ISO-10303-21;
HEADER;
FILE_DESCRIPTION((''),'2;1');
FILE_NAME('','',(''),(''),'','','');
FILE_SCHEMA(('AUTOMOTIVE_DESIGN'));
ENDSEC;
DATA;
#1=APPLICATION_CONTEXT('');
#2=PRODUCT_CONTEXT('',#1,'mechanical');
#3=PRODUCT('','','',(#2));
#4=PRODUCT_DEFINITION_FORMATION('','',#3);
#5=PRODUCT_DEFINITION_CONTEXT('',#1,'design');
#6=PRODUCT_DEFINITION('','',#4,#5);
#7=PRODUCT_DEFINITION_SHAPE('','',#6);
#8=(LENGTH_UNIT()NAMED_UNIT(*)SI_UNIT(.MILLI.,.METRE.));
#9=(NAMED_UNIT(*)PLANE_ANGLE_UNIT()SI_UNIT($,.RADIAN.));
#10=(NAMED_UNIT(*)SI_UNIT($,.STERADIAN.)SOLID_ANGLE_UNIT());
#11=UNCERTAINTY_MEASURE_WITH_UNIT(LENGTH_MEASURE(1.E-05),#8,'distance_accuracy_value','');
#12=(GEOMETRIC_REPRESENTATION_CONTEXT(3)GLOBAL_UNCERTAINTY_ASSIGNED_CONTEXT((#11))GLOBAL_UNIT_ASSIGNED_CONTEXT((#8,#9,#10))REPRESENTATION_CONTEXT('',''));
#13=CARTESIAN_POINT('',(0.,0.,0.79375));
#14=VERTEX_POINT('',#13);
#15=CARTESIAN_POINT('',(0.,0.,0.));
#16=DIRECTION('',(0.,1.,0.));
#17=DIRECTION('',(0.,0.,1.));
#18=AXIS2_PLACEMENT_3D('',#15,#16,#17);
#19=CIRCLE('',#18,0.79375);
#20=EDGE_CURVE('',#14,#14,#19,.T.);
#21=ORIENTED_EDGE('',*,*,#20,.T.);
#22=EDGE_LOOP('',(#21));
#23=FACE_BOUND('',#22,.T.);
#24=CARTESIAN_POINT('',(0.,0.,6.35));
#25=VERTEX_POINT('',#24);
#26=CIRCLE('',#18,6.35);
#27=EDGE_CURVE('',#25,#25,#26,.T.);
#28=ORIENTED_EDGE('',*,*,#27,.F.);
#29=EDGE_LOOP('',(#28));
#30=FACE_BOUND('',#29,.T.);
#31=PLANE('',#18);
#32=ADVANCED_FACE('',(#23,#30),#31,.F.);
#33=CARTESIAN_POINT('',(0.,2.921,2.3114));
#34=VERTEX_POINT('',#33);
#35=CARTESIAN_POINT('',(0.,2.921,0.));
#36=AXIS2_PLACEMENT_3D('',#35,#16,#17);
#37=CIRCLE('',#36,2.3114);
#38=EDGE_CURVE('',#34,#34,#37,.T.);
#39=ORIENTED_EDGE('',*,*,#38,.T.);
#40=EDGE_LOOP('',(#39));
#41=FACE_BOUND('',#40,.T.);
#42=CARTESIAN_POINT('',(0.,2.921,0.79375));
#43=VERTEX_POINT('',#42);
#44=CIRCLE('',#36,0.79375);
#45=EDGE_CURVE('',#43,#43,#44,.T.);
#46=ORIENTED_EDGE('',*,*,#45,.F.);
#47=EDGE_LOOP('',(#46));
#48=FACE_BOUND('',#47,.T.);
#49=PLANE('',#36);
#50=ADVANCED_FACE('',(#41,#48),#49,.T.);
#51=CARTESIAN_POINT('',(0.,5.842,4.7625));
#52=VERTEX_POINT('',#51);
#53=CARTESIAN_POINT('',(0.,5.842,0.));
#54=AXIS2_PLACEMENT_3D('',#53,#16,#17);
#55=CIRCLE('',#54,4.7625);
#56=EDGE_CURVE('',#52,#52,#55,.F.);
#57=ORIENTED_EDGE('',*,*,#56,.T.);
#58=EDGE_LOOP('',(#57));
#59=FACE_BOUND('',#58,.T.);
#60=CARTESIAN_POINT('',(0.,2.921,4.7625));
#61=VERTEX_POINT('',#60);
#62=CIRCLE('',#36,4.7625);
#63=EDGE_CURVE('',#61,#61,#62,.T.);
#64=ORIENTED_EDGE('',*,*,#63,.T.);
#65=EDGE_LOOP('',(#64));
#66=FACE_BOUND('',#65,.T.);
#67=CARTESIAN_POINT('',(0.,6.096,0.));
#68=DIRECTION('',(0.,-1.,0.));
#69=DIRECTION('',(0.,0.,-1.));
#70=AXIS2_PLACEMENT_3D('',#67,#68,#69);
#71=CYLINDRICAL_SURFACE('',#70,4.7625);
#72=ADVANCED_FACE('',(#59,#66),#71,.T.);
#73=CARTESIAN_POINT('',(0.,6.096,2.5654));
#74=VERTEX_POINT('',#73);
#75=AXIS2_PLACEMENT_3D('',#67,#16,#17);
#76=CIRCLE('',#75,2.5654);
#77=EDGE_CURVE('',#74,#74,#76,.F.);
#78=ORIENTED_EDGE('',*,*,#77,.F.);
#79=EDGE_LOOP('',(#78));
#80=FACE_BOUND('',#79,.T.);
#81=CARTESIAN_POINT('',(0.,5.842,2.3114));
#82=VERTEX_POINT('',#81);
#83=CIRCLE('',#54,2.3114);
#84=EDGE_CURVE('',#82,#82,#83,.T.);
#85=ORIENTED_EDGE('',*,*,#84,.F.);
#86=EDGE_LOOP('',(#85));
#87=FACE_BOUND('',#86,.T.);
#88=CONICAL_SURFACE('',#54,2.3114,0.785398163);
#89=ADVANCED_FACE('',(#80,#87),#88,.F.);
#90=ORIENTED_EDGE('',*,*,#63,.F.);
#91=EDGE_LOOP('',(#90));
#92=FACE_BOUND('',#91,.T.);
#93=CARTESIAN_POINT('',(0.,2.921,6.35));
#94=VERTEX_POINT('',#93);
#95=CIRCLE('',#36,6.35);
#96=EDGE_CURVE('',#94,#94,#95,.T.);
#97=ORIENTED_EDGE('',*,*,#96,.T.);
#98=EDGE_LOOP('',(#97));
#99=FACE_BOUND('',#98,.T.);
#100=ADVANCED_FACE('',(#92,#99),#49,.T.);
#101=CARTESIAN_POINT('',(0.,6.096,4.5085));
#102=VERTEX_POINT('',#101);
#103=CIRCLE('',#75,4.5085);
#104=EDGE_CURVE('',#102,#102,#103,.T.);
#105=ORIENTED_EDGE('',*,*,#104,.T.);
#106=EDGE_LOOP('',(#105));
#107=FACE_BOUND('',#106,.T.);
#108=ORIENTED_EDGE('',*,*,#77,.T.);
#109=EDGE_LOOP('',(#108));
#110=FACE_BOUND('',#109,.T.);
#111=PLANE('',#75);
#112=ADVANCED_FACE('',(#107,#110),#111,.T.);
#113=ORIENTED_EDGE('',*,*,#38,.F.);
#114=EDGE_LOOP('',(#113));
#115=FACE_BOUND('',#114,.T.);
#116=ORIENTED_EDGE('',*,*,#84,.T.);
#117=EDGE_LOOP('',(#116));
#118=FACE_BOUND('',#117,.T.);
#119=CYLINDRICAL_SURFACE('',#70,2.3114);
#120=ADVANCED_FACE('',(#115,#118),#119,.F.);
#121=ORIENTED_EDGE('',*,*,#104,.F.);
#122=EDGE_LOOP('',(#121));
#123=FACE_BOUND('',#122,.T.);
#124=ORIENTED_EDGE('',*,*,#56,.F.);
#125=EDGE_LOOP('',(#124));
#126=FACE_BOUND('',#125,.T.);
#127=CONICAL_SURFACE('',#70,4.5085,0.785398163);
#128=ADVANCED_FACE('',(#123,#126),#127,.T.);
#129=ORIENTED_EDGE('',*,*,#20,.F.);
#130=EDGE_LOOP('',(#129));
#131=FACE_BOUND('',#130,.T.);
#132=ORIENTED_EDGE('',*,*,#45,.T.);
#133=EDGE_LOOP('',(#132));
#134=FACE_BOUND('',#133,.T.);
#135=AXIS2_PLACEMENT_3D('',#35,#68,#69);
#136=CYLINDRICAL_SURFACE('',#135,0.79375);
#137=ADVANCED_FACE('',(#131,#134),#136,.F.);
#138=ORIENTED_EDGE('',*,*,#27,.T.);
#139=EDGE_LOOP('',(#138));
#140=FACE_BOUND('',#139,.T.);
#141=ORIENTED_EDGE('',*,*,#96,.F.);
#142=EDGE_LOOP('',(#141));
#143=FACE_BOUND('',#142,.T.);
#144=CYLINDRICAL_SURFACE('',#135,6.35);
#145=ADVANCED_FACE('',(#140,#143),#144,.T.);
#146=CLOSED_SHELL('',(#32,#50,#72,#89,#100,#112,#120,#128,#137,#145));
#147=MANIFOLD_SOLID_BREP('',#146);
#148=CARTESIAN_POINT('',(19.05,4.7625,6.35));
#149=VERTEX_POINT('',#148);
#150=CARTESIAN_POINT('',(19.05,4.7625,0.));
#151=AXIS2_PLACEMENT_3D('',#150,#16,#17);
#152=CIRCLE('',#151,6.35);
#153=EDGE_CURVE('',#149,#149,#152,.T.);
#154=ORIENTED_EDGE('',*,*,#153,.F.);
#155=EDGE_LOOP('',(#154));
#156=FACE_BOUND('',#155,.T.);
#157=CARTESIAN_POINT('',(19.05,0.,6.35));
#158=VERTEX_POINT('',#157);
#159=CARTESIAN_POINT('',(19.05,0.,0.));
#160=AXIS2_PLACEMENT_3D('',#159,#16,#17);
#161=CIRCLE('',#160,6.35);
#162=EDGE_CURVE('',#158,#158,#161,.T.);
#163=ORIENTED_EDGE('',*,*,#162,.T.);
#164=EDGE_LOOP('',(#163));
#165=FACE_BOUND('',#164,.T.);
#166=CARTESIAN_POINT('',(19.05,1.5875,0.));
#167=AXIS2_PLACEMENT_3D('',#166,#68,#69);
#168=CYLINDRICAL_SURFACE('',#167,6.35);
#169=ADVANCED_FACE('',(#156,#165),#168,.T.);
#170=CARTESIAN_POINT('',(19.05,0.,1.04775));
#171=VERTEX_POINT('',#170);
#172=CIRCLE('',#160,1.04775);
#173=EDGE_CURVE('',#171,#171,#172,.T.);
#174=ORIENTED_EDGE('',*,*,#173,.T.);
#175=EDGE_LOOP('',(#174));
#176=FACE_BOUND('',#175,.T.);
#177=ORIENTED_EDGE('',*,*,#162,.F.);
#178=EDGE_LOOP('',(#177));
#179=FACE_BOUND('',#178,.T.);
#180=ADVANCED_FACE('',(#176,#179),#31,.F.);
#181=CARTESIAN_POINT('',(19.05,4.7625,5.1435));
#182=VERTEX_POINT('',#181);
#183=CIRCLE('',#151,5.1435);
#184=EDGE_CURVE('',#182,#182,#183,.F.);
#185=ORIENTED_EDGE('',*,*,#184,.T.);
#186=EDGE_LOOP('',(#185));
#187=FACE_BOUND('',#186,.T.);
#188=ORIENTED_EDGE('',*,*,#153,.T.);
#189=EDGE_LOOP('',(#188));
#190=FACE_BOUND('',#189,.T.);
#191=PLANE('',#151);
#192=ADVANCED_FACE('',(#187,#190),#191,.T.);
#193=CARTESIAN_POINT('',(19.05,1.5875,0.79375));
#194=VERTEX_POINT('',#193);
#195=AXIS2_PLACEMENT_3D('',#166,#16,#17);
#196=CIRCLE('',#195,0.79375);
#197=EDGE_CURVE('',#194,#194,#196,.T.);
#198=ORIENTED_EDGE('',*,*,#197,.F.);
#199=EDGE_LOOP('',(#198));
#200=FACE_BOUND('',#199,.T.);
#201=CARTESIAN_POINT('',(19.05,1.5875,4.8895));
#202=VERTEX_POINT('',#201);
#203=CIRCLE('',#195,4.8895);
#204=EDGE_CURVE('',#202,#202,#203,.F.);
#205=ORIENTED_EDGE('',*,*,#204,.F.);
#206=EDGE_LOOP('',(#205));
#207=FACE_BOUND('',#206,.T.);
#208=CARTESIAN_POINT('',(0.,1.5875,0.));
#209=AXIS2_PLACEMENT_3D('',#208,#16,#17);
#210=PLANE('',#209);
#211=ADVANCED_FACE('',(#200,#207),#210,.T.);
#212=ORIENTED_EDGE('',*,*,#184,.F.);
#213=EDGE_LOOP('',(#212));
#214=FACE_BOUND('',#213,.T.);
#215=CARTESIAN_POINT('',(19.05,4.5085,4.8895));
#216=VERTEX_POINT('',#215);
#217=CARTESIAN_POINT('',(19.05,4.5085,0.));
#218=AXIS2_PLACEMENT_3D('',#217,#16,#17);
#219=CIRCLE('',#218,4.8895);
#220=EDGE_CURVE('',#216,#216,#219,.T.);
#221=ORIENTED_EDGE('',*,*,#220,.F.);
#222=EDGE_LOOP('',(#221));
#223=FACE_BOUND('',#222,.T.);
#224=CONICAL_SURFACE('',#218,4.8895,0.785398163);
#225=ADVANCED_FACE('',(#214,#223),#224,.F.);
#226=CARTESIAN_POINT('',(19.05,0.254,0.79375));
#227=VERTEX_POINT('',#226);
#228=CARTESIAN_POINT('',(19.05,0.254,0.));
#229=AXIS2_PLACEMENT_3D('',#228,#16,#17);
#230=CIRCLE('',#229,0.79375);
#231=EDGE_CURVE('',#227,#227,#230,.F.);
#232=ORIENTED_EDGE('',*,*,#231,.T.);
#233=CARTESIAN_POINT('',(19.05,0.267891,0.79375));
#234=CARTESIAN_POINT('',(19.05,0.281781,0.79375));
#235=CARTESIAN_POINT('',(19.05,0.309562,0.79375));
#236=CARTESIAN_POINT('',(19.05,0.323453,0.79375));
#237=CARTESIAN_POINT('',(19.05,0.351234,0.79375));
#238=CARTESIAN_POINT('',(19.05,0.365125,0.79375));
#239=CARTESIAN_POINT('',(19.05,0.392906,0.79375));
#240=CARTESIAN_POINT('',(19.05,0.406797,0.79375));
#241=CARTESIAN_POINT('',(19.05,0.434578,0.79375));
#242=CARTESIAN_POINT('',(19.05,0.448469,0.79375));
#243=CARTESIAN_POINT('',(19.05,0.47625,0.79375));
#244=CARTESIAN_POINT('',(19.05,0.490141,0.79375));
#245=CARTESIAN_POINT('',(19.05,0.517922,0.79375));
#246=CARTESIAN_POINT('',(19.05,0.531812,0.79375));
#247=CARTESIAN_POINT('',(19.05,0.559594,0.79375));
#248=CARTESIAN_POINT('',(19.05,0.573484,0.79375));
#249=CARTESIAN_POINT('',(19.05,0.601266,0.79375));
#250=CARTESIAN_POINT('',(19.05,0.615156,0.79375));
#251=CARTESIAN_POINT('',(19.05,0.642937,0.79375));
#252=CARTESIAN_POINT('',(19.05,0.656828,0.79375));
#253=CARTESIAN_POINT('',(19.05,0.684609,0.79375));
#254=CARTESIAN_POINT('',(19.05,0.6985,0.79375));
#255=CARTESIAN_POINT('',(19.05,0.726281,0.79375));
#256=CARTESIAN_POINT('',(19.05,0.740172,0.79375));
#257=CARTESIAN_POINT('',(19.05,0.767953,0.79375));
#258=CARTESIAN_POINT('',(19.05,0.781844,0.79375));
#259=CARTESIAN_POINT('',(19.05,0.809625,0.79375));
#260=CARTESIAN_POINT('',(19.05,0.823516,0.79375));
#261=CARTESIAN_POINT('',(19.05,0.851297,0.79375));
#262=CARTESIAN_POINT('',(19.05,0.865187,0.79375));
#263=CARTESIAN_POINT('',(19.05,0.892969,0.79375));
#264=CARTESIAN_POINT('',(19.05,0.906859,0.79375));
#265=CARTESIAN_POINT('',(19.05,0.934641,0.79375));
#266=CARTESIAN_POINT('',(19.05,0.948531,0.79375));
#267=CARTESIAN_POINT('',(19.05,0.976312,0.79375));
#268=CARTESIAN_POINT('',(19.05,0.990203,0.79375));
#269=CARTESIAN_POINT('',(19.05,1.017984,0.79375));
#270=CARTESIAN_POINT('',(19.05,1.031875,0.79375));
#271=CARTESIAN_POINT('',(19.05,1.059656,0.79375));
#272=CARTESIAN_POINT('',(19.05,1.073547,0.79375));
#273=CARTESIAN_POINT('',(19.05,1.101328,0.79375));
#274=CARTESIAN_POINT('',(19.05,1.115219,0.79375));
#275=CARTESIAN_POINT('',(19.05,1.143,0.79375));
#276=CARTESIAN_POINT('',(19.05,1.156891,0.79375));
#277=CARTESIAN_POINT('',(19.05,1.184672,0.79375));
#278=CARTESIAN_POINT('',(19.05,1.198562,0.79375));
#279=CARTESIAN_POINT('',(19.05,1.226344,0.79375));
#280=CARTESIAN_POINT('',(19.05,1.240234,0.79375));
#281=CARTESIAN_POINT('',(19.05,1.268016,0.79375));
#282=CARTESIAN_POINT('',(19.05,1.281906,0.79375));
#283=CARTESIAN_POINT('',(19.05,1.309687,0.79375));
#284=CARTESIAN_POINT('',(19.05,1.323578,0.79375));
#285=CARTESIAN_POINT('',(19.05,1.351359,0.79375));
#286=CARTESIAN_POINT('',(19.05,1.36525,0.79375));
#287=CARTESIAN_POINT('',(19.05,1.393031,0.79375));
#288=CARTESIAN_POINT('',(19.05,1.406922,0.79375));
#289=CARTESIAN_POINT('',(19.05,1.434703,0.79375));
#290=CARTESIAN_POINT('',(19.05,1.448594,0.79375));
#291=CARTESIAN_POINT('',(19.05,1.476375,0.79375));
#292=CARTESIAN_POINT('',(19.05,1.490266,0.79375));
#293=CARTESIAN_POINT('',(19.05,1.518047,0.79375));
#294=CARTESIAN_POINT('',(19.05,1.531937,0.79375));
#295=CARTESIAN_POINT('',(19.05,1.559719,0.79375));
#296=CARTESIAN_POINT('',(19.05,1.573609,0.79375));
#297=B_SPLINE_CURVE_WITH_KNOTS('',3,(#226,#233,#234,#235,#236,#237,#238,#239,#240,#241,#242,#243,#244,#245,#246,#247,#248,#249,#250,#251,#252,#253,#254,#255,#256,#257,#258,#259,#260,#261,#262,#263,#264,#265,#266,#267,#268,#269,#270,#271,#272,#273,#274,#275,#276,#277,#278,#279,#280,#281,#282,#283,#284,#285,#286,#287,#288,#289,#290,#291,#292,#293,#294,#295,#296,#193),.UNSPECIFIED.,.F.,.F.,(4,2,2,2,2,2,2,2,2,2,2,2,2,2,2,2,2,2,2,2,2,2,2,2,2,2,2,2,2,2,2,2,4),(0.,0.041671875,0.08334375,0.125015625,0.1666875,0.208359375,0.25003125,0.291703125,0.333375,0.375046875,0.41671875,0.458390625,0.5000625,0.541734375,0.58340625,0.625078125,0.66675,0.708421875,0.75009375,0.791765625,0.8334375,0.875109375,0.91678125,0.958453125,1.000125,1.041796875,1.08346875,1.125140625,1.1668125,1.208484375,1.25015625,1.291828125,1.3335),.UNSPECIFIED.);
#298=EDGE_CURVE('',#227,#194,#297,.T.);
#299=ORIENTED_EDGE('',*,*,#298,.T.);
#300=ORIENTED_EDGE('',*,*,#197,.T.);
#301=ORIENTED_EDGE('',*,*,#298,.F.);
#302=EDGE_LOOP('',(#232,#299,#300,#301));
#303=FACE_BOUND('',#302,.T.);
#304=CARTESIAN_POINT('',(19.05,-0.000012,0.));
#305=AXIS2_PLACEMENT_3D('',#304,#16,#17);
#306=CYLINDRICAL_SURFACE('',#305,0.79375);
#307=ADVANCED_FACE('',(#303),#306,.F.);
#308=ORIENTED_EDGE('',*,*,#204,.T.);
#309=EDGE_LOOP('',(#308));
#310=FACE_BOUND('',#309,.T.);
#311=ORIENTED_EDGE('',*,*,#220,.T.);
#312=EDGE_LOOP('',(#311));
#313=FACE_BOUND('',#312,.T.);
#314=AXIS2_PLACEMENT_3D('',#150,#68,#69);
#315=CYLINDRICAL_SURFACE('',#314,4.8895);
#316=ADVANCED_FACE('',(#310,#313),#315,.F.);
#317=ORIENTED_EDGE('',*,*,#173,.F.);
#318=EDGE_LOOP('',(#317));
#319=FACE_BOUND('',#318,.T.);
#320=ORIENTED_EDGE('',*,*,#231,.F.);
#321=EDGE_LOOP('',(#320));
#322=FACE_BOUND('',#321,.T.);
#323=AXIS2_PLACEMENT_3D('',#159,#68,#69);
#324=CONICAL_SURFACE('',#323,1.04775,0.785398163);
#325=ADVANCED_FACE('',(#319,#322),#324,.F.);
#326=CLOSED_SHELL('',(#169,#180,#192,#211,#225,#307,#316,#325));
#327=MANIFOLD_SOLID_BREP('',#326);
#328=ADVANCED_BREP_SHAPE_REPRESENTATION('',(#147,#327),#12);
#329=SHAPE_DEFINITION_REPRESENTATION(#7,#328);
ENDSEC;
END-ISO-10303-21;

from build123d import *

# Parameters (mm, degrees)
SKETCH2_R               = 6.35
SKETCH2_R_2             = 4.7625
SKETCH2_R_3             = 2.3114
SKETCH2_R_4             = 0.79375
BOSS_EXTRUDE1_DEPTH     = 2.921
BOSS_EXTRUDE2_START     = 2.921
SKETCH2_3_R             = 4.7625
SKETCH2_3_R_2           = 2.3114
BOSS_EXTRUDE2_DEPTH     = 3.175
CHAMFER1_SIZE           = 0.254
SKETCH3_R               = 6.35
BOSS_EXTRUDE3_DEPTH     = 1.5875
BOSS_EXTRUDE4_START     = 1.5875
SKETCH3_3_R             = 6.35
SKETCH3_3_R_2           = 4.8895
BOSS_EXTRUDE4_DEPTH     = 3.175
CUT_EXTRUDE1_DEPTH      = 27.882033331
CUT_EXTRUDE1_DEPTH_BACK = 27.882033331
SKETCH3_4_R             = 0.79375
CHAMFER2_SIZE           = 0.254


with BuildPart() as part:
    # Sketch2 → Boss-Extrude1 (new body)
    # profile 1 of 3: a face of its own
    with BuildSketch(Plane(origin=(0, 0, 0), x_dir=(1, 0, 0), z_dir=(0, 1, 0))):
        with Locations(Location((0, 0, 0), (0, 0, 270))):
            Circle(SKETCH2_R)
        Circle(SKETCH2_R_2, mode=Mode.SUBTRACT)
    # profile 2 of 3: a face of its own
    with BuildSketch(Plane(origin=(0, 0, 0), x_dir=(1, 0, 0), z_dir=(0, 1, 0))):
        Circle(SKETCH2_R_2)
        Circle(SKETCH2_R_3, mode=Mode.SUBTRACT)
    # profile 3 of 3: a face of its own
    with BuildSketch(Plane(origin=(0, 0, 0), x_dir=(1, 0, 0), z_dir=(0, 1, 0))):
        Circle(SKETCH2_R_3)
        with Locations(Location((0, 0, 0), (0, 0, 270))):
            Circle(SKETCH2_R_4, mode=Mode.SUBTRACT)
    extrude(amount=BOSS_EXTRUDE1_DEPTH)

    # Sketch2<3> → Boss-Extrude2 (add)
    with BuildSketch(Plane(origin=(0, 0, 0), x_dir=(1, 0, 0), z_dir=(0, 1, 0)).offset(BOSS_EXTRUDE2_START)):
        with Locations(Location((0, 0, 0), (0, 0, 270))):
            Circle(SKETCH2_3_R)
        with Locations(Location((0, 0, 0), (0, 0, 270))):
            Circle(SKETCH2_3_R_2, mode=Mode.SUBTRACT)
    extrude(amount=BOSS_EXTRUDE2_DEPTH)

    # Chamfer1
    chamfer1_edges = [part.edges().sort_by_distance(p)[0] for p in [
        (0, 6.096, -4.7625),
        (0, 6.096, -2.3114),
    ]]
    chamfer(chamfer1_edges, length=CHAMFER1_SIZE)


with BuildPart() as body_2:
    # Sketch3 → Boss-Extrude3 (new body)
    with BuildSketch(Plane(origin=(0, 0, 0), x_dir=(1, 0, 0), z_dir=(0, 1, 0))):
        with Locations(Location((19.05, 0, 0), (0, 0, 270))):
            Circle(SKETCH3_R)
    extrude(amount=BOSS_EXTRUDE3_DEPTH)

    # Sketch3<3> → Boss-Extrude4 (add)
    with BuildSketch(Plane(origin=(0, 0, 0), x_dir=(1, 0, 0), z_dir=(0, 1, 0)).offset(BOSS_EXTRUDE4_START)):
        with Locations(Location((19.05, 0, 0), (0, 0, 270))):
            Circle(SKETCH3_3_R)
        with Locations(Location((19.05, 0, 0), (0, 0, 270))):
            Circle(SKETCH3_3_R_2, mode=Mode.SUBTRACT)
    extrude(amount=BOSS_EXTRUDE4_DEPTH)

    # Sketch3<4> → Cut-Extrude1 (cut, two sides: drawn at the far end of the back side and taken through both)
    with BuildSketch(Plane(origin=(0, 0, 0), x_dir=(1, 0, 0), z_dir=(0, 1, 0)).offset(-CUT_EXTRUDE1_DEPTH_BACK)):
        with Locations(Location((19.05, 0, 0), (0, 0, 270))):
            Circle(SKETCH3_4_R)
    extrude(amount=CUT_EXTRUDE1_DEPTH + CUT_EXTRUDE1_DEPTH_BACK, mode=Mode.SUBTRACT)

    # Chamfer2
    chamfer2_edges = [body_2.edges().sort_by_distance(p)[0] for p in [
        (19.05, 4.7625, -4.8895),
        (19.05, 0, -0.79375),
    ]]
    chamfer(chamfer2_edges, length=CHAMFER2_SIZE)


solid = Compound([part.part, body_2.part])
